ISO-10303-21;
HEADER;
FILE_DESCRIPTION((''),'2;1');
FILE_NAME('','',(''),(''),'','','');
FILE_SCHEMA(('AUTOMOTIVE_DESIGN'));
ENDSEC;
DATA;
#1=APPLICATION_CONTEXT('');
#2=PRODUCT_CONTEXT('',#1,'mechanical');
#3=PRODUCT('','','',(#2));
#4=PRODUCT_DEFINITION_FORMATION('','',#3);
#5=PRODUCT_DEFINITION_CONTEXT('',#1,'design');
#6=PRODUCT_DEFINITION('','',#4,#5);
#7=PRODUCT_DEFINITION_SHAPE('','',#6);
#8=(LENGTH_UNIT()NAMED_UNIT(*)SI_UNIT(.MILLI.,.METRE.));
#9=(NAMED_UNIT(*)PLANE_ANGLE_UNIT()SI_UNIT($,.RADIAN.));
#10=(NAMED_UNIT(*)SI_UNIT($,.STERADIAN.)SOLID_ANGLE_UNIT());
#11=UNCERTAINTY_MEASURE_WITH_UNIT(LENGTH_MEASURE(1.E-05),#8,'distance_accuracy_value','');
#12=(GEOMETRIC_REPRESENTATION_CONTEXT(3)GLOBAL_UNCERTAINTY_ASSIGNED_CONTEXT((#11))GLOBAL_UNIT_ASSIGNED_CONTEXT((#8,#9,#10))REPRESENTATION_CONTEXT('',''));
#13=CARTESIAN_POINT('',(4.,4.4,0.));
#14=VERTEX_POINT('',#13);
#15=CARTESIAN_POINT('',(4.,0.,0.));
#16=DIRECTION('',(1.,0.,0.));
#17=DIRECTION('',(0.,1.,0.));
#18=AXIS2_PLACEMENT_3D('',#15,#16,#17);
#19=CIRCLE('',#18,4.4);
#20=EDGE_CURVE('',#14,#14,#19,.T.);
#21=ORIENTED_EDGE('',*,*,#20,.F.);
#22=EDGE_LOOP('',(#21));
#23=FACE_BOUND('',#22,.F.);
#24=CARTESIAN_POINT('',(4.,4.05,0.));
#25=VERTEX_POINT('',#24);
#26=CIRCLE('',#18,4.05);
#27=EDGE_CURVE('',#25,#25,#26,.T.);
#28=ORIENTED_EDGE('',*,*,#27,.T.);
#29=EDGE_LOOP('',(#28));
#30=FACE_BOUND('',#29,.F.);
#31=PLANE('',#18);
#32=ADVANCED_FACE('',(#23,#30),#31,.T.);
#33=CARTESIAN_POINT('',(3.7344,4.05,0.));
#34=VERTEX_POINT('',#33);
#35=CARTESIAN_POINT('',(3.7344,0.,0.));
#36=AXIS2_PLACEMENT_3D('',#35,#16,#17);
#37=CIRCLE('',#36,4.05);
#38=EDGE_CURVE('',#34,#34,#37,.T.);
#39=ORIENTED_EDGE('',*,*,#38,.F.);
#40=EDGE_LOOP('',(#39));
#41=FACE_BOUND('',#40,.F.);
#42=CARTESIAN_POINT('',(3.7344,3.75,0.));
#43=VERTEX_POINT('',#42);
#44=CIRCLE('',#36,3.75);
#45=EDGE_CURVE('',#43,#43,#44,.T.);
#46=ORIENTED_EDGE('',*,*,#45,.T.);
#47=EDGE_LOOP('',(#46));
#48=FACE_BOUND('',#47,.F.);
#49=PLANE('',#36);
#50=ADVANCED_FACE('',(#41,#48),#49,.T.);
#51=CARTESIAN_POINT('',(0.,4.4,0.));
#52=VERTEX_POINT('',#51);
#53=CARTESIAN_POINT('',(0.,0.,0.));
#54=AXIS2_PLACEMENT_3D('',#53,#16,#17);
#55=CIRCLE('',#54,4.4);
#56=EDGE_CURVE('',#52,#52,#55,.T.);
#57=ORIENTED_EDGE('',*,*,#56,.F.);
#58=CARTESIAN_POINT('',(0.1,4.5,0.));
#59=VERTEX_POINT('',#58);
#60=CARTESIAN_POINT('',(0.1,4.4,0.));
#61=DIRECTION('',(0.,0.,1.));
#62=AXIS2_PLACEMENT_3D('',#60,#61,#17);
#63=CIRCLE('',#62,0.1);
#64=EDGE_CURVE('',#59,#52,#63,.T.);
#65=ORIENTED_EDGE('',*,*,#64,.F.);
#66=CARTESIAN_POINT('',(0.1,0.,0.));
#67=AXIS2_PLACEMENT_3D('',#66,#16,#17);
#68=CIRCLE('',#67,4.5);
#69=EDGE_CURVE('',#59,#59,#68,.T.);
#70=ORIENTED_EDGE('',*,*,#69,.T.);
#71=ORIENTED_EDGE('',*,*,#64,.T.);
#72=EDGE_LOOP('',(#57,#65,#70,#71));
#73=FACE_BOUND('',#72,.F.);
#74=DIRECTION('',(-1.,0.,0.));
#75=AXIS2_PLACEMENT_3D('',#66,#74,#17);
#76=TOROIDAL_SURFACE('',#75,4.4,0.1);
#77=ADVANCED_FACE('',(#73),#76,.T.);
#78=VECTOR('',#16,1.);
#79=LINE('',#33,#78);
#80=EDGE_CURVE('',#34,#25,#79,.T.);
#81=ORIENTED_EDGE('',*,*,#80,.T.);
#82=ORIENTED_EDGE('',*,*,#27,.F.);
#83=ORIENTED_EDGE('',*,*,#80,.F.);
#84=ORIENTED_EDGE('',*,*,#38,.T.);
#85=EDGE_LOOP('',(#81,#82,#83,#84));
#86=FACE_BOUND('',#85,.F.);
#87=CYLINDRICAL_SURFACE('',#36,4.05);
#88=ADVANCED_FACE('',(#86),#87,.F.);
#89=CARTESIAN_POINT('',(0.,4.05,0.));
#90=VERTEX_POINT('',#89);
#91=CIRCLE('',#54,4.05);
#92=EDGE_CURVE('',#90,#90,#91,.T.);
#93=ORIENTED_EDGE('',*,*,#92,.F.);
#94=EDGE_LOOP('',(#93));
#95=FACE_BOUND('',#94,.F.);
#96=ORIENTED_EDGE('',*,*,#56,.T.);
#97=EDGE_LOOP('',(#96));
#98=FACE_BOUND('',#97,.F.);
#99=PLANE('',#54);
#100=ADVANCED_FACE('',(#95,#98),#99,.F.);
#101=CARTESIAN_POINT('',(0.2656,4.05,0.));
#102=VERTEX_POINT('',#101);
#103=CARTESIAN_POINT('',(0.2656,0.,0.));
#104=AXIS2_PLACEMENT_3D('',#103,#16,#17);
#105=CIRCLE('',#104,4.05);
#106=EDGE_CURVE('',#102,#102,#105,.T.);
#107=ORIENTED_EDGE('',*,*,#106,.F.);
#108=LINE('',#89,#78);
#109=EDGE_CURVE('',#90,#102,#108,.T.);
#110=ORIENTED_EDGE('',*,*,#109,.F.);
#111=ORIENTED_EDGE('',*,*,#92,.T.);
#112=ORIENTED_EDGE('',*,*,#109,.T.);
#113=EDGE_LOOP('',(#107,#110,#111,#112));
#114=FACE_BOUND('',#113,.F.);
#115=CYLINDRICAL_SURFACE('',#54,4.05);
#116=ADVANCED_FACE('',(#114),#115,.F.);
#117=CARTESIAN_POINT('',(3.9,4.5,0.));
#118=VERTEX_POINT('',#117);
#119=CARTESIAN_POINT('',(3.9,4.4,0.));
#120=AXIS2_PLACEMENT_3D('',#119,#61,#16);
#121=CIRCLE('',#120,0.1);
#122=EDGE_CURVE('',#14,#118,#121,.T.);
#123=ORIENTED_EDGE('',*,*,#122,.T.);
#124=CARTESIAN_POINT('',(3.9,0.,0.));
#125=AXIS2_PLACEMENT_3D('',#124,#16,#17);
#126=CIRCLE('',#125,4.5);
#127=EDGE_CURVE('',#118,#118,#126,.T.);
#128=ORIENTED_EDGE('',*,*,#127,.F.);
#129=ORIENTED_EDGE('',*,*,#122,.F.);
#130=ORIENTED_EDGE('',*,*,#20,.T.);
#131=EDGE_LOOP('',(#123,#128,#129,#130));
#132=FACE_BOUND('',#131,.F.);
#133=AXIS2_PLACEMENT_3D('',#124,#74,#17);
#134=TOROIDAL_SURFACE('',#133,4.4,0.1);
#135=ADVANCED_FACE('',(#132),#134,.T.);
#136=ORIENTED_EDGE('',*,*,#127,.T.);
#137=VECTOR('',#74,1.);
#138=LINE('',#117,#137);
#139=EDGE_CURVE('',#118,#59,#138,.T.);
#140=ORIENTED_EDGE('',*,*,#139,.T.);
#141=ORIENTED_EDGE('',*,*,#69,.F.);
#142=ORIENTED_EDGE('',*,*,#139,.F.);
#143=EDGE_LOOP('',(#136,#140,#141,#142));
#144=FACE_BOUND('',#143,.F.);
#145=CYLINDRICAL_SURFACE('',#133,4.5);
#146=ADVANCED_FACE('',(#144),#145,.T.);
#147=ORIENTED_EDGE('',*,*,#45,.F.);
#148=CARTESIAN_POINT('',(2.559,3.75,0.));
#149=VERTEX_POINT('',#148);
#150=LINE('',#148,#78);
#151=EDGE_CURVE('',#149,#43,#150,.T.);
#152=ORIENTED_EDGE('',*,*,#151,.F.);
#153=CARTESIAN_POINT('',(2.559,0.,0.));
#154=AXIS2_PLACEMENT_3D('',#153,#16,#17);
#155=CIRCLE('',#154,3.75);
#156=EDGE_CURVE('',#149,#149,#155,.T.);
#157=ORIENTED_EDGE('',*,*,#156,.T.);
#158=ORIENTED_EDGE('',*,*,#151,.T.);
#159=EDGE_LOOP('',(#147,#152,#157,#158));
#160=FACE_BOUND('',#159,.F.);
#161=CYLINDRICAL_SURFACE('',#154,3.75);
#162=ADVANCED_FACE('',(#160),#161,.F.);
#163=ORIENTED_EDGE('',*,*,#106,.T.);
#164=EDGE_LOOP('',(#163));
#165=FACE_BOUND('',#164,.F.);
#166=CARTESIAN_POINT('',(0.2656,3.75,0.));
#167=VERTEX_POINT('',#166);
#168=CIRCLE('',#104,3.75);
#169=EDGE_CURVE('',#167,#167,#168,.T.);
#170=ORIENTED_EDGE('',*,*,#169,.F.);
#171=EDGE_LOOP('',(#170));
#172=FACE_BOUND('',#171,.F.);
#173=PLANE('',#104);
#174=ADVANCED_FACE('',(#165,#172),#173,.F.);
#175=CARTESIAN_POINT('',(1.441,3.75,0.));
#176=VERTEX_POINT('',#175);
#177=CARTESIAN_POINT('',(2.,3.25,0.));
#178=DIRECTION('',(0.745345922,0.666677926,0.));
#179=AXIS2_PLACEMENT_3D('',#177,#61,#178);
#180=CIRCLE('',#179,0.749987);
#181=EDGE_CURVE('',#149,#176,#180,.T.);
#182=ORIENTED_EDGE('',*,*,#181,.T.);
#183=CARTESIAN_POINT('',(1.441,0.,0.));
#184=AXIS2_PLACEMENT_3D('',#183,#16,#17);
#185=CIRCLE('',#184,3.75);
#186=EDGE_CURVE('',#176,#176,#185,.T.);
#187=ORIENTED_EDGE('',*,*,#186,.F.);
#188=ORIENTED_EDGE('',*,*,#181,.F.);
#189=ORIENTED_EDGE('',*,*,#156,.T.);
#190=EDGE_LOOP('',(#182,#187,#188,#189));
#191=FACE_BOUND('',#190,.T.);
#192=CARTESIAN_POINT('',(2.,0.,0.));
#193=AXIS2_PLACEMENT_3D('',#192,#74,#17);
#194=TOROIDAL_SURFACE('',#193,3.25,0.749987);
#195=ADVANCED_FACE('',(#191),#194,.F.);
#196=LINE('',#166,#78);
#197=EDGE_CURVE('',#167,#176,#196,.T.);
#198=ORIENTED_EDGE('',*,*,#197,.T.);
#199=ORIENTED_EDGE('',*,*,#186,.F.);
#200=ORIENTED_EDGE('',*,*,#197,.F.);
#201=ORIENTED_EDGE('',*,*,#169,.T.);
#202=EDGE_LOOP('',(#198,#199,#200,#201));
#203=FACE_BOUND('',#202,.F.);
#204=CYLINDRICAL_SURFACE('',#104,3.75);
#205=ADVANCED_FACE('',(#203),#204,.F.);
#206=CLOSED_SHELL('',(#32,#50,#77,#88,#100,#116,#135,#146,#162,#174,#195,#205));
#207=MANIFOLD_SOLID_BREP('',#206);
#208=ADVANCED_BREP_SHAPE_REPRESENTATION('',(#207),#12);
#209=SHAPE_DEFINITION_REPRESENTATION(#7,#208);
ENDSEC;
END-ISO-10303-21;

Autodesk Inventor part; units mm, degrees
sketch "Sketch_1" plane through (0, 0, 0) normal (0, 0, 1) x (1, 0, 0)
  line L0 (4, 0) -> (0, 0)
  line L1 (0, 4.05) -> (0.2656, 4.05)
  line L2 (0.2656, 4.05) -> (0.2656, 3.75)
  line L3 (0.2656, 3.75) -> (1.441, 3.75)
  arc A0 (2.559, 3.75) -> (1.441, 3.75) centre (2, 3.25) ccw
  line L4 (2.559, 3.75) -> (3.7344, 3.75)
  line L5 (3.7344, 3.75) -> (3.7344, 4.05)
  line L6 (3.7344, 4.05) -> (4, 4.05)
  line L7 (4, 4.05) -> (4, 4.4)
  arc A1 (4, 4.4) -> (3.9, 4.5) centre (3.9, 4.4) ccw
  line L8 (3.9, 4.5) -> (0.1, 4.5)
  arc A2 (0.1, 4.5) -> (0, 4.4) centre (0.1, 4.4) ccw
  line L9 (0, 4.4) -> (0, 4.05)
revolve "Revolution1" add sketch "Sketch_1" angle 360 about axis through (4, 0, 0) along (1, 0, 0)
ref_plane "ip_st_or_1_XY" through (0, 0, 0) normal (1, 0, 0) x (0, 0, -1)
ref_plane "ip_st_or_1_YZ" through (0, 0, 0) normal (0, 0, -1) x (0, 1, 0)
ref_plane "ip_st_or_1_ZX" through (0, 0, 0) normal (0, 1, 0) x (1, 0, 0)
ref_plane "ip_st_or_2_XY" through (3.7344, 0, 0) normal (-1, 0, 0) x (0, 0, -1)
ref_plane "ip_st_or_2_YZ" through (3.7344, 0, 0) normal (0, 0, -1) x (0, -1, 0)
ref_plane "ip_st_or_2_ZX" through (3.7344, 0, 0) normal (0, -1, 0) x (-1, 0, 0)
properties part number "684AZZ Outer Ring"
